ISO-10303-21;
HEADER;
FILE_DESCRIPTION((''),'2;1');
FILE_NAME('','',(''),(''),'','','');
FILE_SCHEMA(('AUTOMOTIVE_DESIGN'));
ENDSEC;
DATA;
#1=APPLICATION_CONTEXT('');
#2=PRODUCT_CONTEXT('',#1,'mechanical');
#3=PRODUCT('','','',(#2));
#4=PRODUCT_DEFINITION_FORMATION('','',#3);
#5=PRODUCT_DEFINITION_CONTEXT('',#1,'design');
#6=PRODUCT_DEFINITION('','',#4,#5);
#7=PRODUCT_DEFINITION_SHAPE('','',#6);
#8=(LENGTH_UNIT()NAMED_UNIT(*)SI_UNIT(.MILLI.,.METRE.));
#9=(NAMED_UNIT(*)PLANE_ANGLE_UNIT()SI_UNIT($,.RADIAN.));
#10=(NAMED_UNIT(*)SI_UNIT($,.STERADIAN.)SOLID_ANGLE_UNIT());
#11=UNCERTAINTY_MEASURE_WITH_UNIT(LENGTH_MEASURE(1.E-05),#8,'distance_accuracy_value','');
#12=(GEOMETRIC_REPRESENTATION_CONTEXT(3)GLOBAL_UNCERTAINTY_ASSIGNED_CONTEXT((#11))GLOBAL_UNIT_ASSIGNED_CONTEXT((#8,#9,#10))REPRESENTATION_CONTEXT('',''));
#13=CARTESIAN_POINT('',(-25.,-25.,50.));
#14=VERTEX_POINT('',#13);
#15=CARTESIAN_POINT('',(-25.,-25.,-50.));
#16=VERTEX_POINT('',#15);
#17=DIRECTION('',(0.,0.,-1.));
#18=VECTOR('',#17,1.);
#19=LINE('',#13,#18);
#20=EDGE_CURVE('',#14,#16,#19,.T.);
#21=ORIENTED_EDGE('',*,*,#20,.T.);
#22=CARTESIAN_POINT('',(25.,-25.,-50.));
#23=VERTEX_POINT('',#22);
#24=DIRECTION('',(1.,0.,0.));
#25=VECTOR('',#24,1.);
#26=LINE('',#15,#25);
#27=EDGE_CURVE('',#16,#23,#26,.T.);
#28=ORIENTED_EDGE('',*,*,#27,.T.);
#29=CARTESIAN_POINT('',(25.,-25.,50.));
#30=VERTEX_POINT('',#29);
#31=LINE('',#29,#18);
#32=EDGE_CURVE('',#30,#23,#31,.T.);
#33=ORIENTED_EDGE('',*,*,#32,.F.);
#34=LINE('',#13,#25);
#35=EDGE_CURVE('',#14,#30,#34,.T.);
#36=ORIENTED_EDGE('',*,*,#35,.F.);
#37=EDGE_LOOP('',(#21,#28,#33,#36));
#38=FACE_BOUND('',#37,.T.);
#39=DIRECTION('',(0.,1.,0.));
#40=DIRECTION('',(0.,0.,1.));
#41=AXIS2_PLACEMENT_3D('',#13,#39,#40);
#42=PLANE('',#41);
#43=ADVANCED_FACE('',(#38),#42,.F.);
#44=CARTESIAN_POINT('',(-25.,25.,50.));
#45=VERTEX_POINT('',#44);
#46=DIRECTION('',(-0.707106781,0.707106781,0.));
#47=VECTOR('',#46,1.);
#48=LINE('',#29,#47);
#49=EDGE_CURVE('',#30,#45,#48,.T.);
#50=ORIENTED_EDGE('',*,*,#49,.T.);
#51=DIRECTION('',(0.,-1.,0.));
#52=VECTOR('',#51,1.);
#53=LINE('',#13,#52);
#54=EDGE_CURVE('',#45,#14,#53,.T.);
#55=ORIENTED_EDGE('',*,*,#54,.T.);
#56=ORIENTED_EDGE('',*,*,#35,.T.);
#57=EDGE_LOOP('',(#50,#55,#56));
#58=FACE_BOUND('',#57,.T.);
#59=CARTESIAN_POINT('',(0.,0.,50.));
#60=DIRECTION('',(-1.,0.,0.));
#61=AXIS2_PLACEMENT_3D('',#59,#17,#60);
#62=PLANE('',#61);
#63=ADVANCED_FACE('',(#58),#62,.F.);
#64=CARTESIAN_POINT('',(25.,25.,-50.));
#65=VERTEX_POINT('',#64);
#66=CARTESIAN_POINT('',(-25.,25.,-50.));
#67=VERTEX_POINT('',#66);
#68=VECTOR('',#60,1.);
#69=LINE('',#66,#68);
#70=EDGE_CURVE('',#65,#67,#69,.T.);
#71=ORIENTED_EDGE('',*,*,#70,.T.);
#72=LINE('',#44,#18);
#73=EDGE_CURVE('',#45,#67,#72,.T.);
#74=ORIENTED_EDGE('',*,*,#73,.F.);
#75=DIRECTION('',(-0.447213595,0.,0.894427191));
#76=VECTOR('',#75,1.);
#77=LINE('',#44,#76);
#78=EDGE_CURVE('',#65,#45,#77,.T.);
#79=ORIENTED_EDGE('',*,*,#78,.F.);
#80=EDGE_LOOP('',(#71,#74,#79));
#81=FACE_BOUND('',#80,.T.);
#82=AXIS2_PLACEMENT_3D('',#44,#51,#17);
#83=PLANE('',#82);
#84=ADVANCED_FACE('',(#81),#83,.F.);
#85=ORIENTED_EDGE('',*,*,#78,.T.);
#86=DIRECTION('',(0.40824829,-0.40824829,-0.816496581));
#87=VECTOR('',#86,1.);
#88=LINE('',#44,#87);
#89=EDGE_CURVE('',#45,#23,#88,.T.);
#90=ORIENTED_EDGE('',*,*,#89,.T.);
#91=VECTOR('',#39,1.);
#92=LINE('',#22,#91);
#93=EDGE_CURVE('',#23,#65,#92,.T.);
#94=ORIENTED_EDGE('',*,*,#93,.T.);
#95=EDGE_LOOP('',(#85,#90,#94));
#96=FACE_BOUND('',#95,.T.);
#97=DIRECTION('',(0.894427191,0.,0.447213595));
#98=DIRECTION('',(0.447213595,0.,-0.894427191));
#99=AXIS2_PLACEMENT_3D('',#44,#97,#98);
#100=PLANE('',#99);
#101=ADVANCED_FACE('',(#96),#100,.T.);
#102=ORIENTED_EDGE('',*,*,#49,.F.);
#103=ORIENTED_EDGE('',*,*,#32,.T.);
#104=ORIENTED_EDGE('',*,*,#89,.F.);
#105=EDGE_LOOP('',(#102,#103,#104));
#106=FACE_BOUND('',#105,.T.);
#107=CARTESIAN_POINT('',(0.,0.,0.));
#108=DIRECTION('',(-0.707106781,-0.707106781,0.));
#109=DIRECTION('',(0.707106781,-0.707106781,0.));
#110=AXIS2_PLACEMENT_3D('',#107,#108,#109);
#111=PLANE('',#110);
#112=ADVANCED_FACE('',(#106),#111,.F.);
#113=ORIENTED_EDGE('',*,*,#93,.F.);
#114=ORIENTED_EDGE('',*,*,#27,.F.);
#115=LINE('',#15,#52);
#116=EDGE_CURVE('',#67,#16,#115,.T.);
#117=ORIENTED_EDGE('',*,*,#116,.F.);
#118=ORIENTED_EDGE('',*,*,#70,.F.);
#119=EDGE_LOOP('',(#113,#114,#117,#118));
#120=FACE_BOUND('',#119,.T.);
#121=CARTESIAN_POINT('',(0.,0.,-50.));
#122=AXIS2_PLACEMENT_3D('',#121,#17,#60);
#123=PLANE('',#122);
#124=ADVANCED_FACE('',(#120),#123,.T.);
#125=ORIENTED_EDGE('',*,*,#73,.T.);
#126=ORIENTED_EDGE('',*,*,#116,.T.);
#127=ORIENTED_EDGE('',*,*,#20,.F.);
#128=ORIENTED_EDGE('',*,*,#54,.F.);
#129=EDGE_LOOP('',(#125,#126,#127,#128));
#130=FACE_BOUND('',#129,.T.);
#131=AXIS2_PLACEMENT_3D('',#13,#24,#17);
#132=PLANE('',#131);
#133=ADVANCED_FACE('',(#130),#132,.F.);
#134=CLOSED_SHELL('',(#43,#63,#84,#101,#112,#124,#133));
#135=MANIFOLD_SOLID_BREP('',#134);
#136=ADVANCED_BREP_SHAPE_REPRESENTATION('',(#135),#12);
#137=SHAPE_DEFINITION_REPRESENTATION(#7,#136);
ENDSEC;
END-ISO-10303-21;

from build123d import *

# Parameters (mm, degrees)
SKETCH1_W           = 50
SKETCH1_H           = 50
BOSS_EXTRUDE1_DEPTH = 50
CUT_EXTRUDE1_DEPTH  = 100


with BuildPart() as part:
    # Sketch1 → Boss-Extrude1 (new, symmetric)
    with BuildSketch(Plane.XY):
        Rectangle(SKETCH1_W, SKETCH1_H)
    extrude(amount=BOSS_EXTRUDE1_DEPTH, both=True)

    # 3DSketch1 → Cut-Extrude1 (cut, along a direction that is not the sketch's normal)
    with BuildSketch(Plane(origin=(-25, 25, 50), x_dir=(0.408248290463863, -0.408248290463863, -0.816496580927726), z_dir=(-0.7071067811865476, -0.7071067811865476, 0))):
        Polygon((0, 0), (122.474487139, 0), (40.824829046, 57.735026919), align=None)
    extrude(amount=-CUT_EXTRUDE1_DEPTH, dir=(0, -1, 0), mode=Mode.SUBTRACT)


solid = part.part
